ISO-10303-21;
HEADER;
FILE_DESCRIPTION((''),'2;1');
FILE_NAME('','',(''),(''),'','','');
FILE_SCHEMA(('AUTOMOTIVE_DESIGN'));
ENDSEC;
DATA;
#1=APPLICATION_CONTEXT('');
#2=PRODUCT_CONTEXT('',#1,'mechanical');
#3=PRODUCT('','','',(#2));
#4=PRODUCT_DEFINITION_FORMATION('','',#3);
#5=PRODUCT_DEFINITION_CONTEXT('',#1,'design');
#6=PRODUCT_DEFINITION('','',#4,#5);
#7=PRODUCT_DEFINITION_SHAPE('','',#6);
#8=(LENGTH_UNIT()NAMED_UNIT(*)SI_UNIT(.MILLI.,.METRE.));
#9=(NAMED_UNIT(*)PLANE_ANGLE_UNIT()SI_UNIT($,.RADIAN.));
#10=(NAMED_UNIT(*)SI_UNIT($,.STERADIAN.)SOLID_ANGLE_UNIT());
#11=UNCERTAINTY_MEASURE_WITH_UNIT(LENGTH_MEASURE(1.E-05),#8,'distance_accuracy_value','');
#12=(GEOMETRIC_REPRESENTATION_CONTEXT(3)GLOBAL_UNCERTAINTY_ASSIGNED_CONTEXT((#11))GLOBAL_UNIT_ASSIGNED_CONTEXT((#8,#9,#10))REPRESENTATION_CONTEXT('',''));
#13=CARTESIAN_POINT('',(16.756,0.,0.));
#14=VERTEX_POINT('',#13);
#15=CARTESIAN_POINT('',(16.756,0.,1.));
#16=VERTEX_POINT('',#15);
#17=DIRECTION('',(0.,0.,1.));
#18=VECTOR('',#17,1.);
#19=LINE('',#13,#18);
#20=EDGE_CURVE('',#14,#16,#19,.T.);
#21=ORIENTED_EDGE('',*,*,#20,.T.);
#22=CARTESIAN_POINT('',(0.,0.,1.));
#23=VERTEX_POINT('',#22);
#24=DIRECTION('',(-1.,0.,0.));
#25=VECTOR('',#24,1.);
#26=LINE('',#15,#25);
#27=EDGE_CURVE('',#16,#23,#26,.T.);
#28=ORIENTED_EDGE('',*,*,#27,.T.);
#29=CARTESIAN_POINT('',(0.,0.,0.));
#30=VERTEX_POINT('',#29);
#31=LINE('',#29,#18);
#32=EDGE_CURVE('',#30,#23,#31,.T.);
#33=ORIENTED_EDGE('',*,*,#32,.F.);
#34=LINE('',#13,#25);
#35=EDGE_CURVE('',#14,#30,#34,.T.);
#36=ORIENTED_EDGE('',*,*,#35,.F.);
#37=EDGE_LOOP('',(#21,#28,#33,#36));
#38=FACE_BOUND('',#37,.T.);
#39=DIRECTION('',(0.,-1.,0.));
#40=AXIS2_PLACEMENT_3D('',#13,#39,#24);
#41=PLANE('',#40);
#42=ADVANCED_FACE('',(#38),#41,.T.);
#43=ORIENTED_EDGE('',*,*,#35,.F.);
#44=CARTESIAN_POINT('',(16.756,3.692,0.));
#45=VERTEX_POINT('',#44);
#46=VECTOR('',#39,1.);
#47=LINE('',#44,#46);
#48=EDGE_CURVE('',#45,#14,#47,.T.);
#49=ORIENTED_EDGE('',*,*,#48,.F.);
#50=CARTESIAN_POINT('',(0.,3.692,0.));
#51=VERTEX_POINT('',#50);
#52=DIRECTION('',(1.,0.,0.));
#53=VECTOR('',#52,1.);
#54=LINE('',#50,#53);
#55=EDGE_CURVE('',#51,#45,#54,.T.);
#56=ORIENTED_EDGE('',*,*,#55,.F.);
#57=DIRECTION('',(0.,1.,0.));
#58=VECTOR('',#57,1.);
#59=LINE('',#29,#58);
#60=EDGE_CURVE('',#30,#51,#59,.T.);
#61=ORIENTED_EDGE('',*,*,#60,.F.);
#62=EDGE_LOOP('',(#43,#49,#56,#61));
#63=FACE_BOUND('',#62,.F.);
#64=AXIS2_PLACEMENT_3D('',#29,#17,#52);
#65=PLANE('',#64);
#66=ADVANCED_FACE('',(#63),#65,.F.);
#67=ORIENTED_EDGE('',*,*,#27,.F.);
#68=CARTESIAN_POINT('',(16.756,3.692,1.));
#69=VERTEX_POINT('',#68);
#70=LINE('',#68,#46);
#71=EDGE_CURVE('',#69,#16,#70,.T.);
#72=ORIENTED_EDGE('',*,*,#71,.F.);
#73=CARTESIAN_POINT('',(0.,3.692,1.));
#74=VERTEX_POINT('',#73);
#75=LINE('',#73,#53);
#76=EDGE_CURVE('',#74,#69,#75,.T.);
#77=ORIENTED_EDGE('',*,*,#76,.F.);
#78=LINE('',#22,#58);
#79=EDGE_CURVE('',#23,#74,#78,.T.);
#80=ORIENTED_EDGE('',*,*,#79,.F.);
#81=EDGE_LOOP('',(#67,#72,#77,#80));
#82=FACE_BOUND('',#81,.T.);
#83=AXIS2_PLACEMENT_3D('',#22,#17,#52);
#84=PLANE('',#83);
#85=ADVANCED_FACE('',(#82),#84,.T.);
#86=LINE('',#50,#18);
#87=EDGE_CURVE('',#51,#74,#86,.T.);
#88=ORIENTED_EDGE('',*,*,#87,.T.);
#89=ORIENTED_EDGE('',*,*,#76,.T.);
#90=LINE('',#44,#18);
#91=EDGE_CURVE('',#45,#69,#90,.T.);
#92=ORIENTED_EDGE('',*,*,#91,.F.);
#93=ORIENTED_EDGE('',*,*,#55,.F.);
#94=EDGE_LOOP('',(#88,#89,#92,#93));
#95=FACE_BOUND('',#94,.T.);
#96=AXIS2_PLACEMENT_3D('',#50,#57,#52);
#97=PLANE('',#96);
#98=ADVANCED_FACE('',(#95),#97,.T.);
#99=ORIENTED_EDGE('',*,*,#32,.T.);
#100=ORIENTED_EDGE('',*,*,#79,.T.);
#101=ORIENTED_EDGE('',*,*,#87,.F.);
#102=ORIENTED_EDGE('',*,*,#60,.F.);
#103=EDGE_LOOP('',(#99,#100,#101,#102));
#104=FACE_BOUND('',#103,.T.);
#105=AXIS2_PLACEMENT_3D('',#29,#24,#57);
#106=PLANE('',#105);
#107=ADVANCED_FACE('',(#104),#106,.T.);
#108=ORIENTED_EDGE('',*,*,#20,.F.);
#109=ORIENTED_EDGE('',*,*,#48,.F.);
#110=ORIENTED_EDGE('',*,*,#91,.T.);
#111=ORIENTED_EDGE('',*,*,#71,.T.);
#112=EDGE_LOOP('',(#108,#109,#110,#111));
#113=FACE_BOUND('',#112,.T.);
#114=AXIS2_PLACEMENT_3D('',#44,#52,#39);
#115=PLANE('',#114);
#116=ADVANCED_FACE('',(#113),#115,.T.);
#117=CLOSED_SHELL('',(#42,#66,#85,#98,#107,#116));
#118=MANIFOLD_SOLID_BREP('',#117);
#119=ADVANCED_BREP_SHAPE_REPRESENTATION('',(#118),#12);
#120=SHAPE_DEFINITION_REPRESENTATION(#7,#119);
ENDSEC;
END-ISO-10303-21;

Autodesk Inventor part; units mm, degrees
ref_plane "YZ Plane" through (0, 0, 0) normal (1, 0, 0) x (0, 1, 0)
ref_plane "XZ Plane" through (0, 0, 0) normal (0, 1, 0) x (-1, 0, 0)
ref_plane "XY Plane" through (0, 0, 0) normal (0, 0, 1) x (1, 0, 0)
sketch "LOGO16_TPLACE, U_1_LOGO16_TPLACE_154" plane through (0, 0, 0) normal (0, 0, 1) x (1, 0, 0)
  line L0 (0, 3.692) -> (16.756, 3.692)
  line L1 (16.756, 3.692) -> (16.756, 0)
  line L2 (16.756, 0) -> (0, 0)
  line L3 (0, 0) -> (0, 3.692)
extrude "Extrusion1" add sketch "LOGO16_TPLACE, U_1_LOGO16_TPLACE_154" along normal blind 1
properties part number "U_1_LOGO16_TPLACE"
